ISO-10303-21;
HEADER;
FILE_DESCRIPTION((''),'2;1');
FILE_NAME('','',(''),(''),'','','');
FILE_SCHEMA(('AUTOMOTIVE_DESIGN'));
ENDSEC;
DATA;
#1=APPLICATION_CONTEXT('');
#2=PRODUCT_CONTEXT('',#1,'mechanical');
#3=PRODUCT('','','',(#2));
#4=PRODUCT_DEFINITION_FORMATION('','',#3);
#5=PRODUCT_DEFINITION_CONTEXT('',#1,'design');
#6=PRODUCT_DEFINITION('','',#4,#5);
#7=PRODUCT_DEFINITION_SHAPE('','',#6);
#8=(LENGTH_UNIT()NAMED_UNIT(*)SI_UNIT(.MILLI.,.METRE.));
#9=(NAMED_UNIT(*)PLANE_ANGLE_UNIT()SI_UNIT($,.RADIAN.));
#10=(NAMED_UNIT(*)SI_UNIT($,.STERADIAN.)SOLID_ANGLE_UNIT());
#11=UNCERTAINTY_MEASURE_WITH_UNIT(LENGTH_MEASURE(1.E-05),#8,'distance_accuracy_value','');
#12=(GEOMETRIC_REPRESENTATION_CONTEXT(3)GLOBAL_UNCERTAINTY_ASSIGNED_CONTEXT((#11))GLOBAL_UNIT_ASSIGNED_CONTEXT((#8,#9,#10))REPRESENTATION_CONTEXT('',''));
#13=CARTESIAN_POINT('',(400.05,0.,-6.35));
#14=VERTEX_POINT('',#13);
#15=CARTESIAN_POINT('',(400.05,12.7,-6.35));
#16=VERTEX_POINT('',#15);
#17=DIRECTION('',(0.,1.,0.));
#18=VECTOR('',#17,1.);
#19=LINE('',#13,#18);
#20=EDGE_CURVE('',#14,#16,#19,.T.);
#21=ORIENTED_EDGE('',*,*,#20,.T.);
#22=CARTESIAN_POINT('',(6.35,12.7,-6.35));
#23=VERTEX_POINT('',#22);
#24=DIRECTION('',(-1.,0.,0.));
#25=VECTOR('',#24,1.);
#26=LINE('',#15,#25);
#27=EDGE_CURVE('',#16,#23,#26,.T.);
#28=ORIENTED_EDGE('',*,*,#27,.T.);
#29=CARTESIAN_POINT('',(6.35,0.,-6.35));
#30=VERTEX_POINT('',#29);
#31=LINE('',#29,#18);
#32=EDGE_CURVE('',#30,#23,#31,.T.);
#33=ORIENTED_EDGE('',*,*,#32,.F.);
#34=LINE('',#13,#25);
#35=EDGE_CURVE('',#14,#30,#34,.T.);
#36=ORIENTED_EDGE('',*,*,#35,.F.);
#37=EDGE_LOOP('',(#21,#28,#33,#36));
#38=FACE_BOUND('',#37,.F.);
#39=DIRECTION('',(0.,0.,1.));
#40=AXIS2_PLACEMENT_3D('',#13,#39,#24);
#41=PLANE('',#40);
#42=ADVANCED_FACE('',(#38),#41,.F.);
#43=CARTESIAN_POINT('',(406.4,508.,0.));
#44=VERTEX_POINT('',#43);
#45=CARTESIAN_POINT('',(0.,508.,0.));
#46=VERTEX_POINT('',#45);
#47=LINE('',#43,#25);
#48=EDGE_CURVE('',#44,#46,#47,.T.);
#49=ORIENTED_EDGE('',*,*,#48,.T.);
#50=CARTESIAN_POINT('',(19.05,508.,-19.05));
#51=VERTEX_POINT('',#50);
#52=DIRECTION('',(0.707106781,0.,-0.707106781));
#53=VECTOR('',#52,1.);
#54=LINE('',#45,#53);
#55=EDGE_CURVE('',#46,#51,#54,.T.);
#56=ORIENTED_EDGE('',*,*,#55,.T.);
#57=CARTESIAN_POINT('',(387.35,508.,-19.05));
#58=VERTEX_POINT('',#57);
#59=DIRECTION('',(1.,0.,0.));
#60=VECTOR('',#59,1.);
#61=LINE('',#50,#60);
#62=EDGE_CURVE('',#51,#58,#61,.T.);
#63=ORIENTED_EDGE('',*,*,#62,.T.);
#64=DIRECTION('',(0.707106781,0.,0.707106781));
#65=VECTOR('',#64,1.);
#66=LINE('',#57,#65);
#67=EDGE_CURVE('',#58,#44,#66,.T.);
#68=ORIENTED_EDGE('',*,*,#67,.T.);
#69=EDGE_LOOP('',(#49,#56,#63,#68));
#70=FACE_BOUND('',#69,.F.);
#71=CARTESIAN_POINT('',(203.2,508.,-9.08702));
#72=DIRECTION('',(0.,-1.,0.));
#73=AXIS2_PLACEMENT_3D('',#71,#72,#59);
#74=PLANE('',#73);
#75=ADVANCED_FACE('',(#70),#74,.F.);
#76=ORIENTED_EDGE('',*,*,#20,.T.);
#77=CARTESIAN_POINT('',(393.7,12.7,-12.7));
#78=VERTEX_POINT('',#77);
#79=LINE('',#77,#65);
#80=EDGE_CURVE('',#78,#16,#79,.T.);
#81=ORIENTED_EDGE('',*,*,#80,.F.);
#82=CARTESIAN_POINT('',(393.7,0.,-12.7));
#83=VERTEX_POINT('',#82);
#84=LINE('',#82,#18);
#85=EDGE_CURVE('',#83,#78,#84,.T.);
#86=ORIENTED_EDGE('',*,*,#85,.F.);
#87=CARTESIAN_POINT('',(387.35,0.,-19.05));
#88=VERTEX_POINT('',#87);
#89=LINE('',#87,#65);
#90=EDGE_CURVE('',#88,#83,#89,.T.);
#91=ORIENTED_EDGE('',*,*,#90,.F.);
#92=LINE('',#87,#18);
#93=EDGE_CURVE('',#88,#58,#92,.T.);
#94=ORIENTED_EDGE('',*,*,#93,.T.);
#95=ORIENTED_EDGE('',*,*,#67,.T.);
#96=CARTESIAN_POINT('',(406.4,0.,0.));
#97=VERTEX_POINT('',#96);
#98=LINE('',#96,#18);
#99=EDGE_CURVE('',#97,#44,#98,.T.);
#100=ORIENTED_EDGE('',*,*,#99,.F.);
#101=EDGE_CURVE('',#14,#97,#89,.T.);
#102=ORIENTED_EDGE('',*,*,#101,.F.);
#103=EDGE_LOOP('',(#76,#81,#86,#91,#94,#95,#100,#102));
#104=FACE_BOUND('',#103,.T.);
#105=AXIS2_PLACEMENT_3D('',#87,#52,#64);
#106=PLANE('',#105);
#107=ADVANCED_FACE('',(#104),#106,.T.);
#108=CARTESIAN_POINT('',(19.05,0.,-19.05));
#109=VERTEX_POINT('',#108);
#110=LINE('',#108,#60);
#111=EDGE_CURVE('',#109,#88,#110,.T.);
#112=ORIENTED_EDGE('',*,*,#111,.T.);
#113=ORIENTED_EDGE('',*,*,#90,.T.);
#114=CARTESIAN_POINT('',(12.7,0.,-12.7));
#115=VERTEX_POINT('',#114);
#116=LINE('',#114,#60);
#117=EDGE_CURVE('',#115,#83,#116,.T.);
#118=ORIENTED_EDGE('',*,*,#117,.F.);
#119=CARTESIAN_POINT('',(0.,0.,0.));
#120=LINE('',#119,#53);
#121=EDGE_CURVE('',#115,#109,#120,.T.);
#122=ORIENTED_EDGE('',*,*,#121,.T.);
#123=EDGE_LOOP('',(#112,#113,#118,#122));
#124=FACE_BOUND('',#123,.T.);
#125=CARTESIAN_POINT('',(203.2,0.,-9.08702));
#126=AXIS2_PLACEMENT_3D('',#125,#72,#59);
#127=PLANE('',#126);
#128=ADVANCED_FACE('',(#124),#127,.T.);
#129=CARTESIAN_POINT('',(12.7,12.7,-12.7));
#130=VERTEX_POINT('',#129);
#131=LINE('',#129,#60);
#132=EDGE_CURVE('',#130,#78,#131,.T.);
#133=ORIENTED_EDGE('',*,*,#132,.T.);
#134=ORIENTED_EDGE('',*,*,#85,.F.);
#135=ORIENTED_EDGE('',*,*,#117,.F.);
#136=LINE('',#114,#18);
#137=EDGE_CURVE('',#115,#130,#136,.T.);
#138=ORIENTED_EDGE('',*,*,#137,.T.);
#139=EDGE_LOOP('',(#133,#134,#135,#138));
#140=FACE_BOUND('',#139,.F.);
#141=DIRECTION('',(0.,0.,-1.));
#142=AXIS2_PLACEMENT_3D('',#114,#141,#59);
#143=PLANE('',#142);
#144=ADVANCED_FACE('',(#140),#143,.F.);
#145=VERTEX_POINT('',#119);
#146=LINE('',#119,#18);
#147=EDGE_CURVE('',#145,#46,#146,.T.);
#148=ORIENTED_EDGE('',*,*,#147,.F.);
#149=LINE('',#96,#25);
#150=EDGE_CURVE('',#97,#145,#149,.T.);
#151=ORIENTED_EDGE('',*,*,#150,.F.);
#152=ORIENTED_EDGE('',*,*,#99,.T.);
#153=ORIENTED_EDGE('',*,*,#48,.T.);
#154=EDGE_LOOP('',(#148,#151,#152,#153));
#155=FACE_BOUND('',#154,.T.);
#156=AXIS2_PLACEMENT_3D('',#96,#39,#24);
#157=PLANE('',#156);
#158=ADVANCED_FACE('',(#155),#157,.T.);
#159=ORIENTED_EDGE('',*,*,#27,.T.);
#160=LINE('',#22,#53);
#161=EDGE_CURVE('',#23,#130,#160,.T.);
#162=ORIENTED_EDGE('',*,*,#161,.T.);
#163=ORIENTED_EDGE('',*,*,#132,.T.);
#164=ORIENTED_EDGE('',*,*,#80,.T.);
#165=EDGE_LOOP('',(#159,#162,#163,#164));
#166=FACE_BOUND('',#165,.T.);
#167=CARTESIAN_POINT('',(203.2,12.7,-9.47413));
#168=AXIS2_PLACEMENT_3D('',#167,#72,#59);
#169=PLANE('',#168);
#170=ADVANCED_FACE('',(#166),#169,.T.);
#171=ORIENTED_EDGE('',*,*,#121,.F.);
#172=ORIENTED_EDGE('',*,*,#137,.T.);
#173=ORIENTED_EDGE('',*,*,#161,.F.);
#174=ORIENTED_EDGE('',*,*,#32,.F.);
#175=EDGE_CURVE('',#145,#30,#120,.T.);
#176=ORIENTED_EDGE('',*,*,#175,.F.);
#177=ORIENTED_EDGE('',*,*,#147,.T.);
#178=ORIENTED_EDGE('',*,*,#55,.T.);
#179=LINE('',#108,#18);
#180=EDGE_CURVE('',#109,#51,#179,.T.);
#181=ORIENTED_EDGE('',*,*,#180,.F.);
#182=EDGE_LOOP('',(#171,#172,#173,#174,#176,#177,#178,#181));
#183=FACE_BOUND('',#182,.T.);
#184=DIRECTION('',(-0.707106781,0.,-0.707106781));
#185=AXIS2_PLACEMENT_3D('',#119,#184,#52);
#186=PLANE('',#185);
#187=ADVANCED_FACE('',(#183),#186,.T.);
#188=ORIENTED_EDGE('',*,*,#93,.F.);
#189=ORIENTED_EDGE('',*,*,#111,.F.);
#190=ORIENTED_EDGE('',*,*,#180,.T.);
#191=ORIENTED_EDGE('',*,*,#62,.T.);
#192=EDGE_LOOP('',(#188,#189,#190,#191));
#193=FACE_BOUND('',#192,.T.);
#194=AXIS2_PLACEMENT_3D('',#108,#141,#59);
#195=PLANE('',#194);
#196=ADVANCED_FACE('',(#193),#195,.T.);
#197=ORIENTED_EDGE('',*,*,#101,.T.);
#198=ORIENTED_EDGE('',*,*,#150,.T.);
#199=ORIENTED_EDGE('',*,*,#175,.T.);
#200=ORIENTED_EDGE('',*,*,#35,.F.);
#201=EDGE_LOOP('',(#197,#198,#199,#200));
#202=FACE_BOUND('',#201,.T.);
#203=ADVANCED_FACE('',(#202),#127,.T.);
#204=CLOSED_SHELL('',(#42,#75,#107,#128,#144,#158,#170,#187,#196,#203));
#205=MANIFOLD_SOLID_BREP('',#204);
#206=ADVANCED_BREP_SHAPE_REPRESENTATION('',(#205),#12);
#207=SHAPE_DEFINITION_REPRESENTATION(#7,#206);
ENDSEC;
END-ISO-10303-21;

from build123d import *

# Parameters (mm, degrees)
F1_DEPTH = 508
F3_DEPTH = 12.7


with BuildPart() as f1:
    # F0 (on Front) → F1 (new body)
    with BuildSketch(Plane.XZ):
        Polygon((406.4, 0), (0, 0), (19.05, -19.05), (387.35, -19.05), align=None)
    extrude(amount=-F1_DEPTH)

    # F2 (on face) → F3 (cut)
    with BuildSketch(Plane.XZ):
        Polygon((400.05, -6.35), (6.35, -6.35), (12.7, -12.7), (393.7, -12.7), align=None)
    extrude(amount=-F3_DEPTH, mode=Mode.SUBTRACT)


solid = f1.part
